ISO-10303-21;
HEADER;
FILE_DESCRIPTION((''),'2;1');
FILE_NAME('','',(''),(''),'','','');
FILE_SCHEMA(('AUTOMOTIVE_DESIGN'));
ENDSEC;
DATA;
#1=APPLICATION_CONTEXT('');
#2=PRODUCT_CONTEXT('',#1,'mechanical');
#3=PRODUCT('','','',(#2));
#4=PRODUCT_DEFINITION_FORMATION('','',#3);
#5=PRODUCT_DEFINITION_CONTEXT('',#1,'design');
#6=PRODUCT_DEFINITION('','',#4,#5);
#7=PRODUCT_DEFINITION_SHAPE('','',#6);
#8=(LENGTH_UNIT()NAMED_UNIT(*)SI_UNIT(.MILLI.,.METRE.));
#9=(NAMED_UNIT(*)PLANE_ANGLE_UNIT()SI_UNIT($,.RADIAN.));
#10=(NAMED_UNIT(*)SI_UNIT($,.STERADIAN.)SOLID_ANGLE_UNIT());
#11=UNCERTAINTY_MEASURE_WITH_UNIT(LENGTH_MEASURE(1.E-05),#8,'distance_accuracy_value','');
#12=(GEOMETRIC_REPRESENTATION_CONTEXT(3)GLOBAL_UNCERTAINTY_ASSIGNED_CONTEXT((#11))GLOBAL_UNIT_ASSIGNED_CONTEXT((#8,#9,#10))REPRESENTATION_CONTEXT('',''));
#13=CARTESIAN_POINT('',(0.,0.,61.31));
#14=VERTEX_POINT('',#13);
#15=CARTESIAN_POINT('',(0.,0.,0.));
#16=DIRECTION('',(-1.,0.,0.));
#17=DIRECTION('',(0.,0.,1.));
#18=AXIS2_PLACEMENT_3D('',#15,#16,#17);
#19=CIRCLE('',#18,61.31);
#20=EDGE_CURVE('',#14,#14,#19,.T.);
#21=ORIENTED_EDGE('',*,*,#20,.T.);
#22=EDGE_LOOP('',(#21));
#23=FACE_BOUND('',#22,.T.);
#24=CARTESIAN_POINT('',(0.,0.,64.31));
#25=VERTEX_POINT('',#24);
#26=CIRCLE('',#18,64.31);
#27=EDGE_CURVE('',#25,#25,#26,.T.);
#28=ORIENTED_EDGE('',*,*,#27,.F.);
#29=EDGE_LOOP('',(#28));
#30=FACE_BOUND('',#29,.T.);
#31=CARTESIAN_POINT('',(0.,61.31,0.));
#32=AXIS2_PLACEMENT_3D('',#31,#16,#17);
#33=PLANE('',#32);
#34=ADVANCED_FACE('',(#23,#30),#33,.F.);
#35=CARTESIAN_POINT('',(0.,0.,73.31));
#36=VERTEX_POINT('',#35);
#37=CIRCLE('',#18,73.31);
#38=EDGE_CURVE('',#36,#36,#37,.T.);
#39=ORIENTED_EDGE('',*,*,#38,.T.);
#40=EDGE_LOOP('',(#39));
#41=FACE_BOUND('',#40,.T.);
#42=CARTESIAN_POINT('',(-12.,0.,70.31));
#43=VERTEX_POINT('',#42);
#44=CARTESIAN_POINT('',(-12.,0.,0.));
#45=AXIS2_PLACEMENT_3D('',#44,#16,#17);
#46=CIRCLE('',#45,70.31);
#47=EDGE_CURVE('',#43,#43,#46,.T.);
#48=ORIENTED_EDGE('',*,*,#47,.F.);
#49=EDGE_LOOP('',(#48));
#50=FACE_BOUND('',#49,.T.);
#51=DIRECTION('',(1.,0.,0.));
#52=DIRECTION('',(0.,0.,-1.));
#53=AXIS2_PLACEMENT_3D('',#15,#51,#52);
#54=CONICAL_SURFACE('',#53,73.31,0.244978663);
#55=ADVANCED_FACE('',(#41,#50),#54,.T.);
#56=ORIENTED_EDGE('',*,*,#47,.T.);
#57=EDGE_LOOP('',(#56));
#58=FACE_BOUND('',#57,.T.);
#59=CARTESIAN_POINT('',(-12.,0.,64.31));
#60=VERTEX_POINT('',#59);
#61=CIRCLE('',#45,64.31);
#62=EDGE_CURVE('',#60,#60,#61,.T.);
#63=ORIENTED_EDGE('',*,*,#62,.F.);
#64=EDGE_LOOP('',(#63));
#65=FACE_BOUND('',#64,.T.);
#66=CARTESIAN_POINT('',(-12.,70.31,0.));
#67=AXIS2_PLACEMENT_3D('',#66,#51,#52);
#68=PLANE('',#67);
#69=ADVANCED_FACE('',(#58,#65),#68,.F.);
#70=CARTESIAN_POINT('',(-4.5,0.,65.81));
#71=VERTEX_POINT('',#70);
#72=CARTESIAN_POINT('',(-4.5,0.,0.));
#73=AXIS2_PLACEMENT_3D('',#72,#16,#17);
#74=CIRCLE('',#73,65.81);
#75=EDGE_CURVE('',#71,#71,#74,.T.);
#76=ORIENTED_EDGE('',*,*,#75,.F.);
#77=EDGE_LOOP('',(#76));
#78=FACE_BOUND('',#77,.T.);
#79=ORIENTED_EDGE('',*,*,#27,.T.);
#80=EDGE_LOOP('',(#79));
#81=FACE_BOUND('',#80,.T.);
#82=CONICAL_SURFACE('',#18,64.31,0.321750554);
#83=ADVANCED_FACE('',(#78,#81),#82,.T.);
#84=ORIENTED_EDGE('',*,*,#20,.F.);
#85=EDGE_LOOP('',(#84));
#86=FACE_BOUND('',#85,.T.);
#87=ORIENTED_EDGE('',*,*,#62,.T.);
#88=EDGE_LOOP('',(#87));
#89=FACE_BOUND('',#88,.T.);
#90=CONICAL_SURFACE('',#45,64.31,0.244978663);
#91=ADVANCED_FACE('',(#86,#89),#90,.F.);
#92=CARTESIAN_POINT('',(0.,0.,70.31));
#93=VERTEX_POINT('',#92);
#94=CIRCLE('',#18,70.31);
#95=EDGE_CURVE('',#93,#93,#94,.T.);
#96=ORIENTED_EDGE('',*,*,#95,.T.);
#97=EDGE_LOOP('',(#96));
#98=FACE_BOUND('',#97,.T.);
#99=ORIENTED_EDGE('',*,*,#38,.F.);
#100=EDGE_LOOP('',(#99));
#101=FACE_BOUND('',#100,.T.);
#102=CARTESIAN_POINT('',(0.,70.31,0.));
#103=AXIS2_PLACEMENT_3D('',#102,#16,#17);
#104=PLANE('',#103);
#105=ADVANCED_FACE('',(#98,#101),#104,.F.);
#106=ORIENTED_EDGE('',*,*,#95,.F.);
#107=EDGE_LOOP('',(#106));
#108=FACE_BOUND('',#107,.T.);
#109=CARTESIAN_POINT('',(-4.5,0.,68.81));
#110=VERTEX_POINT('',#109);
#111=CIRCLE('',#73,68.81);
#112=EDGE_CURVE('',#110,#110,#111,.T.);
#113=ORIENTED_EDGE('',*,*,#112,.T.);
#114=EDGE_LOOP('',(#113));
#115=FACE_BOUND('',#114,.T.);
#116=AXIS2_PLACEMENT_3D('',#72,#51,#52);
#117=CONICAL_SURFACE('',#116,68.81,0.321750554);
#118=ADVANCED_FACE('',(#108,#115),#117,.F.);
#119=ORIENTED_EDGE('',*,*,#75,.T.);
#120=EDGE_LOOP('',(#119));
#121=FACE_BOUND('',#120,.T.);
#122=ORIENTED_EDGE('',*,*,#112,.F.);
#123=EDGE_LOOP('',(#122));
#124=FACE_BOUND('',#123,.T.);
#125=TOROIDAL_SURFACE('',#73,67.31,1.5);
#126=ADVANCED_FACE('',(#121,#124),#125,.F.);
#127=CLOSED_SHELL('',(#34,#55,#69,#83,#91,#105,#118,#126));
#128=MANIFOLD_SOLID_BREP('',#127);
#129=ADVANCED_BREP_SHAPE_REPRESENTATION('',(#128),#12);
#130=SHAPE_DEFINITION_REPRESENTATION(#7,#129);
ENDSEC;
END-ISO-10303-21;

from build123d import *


with BuildPart() as part:
    # Sketch1 → Revolve1 (revolve)
    with BuildSketch(Plane.XY, mode=Mode.PRIVATE) as revolve1_sk:
        with BuildLine():
            Line((0, 73.31), (-12, 70.31))
            Line((-12, 70.31), (-12, 64.31))
            Line((-12, 64.31), (0, 61.31))
            Line((0, 61.31), (0, 64.31))
            Line((0, 64.31), (-4.5, 65.81))
            ThreePointArc((-4.5, 65.81), (-6, 67.31), (-4.5, 68.81))
            Line((-4.5, 68.81), (0, 70.31))
            Line((0, 70.31), (0, 73.31))
        make_face()
    revolve(revolve1_sk.sketch.rotate(Axis((0, 0, 0), (1, 0, 0)), 90), axis=Axis((0, 0, 0), (1, 0, 0)))


solid = part.part
